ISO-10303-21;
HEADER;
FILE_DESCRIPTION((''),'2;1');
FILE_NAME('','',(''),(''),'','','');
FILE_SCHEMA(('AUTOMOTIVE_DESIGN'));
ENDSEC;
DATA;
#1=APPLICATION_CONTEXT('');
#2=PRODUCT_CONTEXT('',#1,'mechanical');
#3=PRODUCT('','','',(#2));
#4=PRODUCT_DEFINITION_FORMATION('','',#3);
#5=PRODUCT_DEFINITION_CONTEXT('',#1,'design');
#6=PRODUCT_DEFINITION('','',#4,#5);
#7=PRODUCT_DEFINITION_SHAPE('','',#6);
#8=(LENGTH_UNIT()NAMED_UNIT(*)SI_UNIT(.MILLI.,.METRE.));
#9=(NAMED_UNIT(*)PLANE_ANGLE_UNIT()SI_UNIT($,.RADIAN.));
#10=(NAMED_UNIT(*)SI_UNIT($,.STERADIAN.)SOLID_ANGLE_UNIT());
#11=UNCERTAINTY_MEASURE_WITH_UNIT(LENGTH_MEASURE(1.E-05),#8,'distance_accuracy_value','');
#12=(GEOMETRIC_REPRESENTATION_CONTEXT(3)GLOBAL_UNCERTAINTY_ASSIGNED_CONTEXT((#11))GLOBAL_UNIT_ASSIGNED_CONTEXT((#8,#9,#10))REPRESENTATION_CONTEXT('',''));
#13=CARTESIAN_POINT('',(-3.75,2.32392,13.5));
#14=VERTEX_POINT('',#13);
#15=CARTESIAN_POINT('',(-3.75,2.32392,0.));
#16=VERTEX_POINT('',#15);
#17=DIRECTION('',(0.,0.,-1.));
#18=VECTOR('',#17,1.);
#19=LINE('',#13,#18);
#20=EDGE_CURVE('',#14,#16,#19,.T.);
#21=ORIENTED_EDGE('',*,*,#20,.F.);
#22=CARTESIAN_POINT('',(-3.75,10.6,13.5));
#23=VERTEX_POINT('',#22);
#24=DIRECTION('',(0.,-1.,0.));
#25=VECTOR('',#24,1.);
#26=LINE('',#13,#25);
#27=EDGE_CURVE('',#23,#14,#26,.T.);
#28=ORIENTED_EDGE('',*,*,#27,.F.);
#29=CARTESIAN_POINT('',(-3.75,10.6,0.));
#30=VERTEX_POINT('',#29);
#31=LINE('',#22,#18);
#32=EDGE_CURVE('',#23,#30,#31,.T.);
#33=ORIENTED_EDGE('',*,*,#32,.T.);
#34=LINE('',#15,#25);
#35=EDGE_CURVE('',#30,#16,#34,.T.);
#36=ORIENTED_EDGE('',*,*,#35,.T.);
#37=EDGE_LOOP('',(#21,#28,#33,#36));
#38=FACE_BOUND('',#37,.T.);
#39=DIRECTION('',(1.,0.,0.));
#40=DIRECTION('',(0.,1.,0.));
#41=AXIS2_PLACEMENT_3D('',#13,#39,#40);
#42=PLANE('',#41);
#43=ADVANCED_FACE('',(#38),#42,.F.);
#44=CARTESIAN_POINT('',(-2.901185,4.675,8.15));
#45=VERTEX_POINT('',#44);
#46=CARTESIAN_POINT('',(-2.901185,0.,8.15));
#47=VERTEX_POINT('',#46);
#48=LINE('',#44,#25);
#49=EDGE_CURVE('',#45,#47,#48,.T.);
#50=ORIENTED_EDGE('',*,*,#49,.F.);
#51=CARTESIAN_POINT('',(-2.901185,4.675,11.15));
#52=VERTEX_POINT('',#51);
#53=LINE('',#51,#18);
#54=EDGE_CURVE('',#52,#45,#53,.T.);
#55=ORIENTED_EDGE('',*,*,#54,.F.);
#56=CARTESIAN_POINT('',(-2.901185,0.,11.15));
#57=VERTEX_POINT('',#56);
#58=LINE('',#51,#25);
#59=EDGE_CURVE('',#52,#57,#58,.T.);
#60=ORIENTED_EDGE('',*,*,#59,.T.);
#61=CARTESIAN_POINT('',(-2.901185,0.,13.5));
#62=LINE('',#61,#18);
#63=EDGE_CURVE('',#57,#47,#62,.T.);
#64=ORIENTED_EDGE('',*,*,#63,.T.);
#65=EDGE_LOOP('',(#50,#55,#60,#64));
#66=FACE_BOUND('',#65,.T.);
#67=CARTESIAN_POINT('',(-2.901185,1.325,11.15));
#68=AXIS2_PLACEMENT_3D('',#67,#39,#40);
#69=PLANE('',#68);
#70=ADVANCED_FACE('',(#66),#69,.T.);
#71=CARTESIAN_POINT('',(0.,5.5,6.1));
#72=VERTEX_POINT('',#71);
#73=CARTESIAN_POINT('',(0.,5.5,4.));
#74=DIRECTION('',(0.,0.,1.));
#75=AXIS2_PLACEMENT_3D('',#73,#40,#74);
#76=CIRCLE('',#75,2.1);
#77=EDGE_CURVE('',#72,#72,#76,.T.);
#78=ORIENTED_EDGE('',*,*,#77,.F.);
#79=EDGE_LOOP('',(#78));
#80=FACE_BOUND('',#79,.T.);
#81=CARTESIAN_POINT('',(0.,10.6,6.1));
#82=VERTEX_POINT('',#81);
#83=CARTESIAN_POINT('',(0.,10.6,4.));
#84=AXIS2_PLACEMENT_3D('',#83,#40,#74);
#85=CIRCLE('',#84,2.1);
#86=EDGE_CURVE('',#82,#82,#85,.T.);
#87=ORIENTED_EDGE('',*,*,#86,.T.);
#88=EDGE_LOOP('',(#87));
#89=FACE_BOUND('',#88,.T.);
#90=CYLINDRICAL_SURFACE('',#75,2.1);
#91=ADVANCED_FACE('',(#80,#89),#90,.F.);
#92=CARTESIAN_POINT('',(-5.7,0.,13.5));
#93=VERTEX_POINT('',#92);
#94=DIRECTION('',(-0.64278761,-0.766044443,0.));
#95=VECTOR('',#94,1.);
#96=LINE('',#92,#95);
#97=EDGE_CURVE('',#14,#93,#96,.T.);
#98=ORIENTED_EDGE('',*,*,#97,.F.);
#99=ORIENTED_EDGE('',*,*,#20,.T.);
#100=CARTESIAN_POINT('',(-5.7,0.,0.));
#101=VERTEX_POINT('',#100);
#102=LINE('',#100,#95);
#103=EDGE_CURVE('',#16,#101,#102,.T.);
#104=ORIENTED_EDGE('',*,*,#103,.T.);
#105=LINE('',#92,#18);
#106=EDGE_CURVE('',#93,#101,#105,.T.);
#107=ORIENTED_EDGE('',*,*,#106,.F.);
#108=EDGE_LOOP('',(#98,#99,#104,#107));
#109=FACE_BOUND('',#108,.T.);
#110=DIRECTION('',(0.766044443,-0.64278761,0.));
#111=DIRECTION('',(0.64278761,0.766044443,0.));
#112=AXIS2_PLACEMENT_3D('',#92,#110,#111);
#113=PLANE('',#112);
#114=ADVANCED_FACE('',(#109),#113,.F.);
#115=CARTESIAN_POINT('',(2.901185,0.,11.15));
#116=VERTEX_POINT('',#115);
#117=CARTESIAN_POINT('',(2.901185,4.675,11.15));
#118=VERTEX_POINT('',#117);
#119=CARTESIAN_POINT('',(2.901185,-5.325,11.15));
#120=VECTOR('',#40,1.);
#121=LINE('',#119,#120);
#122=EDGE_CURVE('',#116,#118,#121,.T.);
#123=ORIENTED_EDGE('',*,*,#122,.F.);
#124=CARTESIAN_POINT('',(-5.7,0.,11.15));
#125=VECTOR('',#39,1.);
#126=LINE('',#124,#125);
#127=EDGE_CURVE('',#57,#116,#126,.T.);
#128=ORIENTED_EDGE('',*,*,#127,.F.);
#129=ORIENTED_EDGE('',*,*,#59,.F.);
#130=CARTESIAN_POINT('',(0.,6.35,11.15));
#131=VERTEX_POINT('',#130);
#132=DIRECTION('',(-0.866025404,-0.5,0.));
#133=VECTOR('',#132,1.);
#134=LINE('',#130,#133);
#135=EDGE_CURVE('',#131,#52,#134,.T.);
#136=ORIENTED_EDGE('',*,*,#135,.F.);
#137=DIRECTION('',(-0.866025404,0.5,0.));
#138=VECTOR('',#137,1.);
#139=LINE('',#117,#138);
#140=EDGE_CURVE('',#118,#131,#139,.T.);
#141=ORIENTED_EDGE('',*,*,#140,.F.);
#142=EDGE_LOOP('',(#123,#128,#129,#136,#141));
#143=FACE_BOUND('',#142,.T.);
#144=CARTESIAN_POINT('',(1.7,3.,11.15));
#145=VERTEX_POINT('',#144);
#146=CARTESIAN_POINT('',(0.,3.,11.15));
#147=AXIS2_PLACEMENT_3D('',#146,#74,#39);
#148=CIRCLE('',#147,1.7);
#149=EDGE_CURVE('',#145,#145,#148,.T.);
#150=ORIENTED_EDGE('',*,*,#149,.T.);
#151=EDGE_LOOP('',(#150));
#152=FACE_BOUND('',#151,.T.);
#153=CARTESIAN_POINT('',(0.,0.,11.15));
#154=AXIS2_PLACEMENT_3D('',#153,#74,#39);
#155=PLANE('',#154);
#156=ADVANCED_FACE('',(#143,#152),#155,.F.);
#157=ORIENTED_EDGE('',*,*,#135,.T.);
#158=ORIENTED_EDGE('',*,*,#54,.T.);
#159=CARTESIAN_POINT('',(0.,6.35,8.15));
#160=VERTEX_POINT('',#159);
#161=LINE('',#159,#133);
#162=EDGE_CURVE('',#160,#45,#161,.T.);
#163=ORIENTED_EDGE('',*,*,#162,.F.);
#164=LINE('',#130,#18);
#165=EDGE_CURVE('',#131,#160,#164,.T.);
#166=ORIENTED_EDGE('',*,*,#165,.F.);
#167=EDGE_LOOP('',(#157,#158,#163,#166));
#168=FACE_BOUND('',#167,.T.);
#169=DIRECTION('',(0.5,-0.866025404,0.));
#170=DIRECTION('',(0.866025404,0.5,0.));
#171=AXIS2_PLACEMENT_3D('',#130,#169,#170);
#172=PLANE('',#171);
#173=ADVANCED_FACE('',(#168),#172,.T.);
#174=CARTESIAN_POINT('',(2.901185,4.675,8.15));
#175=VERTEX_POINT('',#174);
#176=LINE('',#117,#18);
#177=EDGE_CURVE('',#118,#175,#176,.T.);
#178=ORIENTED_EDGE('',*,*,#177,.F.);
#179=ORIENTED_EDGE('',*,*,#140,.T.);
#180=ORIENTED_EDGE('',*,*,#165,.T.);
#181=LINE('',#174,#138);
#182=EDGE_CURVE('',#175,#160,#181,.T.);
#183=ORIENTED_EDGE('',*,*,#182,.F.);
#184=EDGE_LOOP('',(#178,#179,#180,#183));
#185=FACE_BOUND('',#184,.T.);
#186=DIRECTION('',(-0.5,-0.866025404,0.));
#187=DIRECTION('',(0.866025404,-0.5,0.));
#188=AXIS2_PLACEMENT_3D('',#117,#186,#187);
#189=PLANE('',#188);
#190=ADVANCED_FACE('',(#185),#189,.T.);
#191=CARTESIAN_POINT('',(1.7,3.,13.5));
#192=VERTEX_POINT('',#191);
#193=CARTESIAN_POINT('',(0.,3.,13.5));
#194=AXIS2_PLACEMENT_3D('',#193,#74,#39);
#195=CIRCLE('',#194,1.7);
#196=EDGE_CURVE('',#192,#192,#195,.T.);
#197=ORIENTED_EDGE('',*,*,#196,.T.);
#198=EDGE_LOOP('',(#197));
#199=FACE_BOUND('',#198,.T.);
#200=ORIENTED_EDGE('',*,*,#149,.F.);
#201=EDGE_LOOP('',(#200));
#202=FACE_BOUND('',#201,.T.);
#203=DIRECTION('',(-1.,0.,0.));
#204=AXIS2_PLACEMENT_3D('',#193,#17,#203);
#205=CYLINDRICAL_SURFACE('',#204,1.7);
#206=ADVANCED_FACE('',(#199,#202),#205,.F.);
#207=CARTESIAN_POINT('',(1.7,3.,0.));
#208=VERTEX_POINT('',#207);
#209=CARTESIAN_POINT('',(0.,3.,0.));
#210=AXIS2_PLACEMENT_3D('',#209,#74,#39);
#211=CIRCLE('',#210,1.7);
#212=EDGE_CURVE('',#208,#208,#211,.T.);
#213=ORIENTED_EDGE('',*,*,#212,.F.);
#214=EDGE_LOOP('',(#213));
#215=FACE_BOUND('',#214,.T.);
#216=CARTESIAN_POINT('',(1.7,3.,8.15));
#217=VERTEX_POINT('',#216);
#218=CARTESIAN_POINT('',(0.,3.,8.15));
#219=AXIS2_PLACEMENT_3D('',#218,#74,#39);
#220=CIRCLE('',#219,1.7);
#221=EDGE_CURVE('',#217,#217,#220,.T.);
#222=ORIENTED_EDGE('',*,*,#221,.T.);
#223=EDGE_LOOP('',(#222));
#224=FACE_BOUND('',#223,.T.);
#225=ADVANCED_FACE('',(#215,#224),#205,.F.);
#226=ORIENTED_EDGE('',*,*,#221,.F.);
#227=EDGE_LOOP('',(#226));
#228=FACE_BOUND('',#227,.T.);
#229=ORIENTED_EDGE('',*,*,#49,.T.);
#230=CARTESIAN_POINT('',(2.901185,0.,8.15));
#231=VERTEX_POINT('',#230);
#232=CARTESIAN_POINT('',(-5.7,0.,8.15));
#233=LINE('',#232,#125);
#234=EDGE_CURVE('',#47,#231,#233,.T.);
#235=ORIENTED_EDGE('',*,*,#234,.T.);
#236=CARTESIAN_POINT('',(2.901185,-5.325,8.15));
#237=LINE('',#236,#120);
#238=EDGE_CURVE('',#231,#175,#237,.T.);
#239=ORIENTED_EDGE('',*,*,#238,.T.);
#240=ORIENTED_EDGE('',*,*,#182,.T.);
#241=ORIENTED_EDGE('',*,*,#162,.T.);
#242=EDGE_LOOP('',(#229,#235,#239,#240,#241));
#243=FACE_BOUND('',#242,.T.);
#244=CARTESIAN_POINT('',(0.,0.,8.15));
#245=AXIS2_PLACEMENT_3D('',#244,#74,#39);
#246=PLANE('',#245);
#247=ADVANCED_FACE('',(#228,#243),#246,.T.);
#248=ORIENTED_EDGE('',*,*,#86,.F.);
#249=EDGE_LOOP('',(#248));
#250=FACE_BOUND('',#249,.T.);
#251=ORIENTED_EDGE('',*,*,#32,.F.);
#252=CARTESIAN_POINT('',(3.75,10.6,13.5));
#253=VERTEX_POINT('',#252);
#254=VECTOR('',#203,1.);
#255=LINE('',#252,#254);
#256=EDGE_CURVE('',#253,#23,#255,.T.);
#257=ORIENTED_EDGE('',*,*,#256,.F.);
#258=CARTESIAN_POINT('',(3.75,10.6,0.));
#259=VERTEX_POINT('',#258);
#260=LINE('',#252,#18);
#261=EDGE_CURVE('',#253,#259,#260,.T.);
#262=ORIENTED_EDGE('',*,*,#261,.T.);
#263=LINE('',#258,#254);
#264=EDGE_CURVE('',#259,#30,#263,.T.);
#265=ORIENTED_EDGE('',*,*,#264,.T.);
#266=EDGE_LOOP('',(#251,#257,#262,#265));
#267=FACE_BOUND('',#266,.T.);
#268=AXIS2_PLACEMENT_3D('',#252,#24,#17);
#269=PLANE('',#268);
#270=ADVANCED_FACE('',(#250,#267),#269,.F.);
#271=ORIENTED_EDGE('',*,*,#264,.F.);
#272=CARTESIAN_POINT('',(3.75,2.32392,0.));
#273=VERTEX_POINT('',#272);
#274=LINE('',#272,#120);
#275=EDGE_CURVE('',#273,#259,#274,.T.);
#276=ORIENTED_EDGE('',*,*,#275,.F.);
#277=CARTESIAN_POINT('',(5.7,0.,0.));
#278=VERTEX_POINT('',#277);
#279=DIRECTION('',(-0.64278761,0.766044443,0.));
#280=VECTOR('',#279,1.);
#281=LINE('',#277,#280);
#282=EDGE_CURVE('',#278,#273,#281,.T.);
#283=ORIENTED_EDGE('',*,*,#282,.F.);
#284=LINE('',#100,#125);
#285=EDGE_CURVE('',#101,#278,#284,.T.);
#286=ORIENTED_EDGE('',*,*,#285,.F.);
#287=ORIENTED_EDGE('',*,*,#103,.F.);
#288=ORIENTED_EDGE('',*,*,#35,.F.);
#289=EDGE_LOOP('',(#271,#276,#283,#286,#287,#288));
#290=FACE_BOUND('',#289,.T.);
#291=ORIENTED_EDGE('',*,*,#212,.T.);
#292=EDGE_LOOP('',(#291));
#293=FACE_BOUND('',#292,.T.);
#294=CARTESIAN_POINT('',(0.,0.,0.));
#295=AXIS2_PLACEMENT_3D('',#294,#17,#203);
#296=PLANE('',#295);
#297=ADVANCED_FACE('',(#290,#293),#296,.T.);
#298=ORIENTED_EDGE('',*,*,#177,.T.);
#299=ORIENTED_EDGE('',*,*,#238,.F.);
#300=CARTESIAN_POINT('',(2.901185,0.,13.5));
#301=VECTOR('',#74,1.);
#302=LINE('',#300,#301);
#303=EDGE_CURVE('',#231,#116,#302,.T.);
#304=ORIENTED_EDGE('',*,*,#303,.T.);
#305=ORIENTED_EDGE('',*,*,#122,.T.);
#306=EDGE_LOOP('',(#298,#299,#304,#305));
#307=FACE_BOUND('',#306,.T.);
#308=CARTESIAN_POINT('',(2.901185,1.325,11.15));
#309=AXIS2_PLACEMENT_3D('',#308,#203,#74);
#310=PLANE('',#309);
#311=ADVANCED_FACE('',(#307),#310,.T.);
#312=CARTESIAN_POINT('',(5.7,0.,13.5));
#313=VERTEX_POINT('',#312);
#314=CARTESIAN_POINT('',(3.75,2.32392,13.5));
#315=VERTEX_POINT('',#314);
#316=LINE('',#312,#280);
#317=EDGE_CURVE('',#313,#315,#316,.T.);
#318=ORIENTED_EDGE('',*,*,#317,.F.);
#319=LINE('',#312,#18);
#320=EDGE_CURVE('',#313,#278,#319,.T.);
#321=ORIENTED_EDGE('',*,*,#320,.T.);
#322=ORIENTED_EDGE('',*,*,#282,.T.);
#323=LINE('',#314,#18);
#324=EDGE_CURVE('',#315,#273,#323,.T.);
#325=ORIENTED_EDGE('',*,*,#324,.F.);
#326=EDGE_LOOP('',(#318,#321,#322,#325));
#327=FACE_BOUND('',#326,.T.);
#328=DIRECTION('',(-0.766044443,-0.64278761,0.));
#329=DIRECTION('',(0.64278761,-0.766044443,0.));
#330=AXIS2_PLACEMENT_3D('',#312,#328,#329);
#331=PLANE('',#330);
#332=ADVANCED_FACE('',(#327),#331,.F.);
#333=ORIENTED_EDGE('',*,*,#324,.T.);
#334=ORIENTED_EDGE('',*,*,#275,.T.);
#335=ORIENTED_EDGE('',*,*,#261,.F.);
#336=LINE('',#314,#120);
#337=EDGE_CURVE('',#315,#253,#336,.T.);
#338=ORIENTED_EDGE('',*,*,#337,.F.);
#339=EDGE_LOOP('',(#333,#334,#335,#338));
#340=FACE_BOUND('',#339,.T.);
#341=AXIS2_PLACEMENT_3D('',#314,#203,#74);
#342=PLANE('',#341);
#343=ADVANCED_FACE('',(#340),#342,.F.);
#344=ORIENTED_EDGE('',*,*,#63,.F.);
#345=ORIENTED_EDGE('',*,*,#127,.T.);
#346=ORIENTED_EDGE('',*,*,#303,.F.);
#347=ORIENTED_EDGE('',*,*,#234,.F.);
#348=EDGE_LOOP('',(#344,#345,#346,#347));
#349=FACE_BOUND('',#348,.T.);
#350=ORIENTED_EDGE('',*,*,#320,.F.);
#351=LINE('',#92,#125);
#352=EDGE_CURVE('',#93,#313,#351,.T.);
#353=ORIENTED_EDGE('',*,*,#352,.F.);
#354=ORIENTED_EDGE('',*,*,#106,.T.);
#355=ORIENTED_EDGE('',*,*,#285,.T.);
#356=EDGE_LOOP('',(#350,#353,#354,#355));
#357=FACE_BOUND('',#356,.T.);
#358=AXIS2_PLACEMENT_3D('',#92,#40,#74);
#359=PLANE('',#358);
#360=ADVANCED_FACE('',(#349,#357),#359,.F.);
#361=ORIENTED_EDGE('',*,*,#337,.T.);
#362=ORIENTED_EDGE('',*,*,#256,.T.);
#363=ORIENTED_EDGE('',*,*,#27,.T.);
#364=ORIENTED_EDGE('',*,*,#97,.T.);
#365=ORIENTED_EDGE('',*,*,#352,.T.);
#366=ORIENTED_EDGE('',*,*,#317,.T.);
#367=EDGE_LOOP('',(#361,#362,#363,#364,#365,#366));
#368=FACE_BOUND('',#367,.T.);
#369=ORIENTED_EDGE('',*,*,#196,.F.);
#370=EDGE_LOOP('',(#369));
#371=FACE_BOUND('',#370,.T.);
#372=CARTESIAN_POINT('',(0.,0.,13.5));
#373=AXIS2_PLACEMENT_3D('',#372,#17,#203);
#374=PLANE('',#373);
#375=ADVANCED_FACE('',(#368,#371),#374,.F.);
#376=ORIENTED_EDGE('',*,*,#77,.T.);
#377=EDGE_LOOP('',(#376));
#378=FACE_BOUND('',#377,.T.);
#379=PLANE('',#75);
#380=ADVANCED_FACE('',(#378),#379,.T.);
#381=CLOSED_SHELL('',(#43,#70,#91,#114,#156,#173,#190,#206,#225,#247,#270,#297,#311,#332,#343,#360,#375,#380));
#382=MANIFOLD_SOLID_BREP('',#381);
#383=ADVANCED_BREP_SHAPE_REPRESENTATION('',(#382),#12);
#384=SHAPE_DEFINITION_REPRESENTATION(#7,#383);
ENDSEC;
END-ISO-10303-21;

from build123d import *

# Parameters (mm, degrees)
CROQUIS1_R                 = 1.7
SALIENTE_EXTRUIR1_DEPTH    = 13.5
CROQUIS2_R                 = 2.1
CORTAR_EXTRUIR1_DEPTH      = 5.1
CORTAR_EXTRUIR2_DEPTH      = 1.5
CORTAR_EXTRUIR2_DEPTH_BACK = 1.5


with BuildPart() as part:
    # Croquis1 → Saliente-Extruir1 (new body)
    with BuildSketch(Plane.XY):
        Polygon((-5.7, 0), (5.7, 0), (3.75, 2.323919506), (3.75, 10.6), (-3.75, 10.6), (-3.75, 2.323919506), align=None)
        with Locations((0, 3)):
            Circle(CROQUIS1_R, mode=Mode.SUBTRACT)
    extrude(amount=SALIENTE_EXTRUIR1_DEPTH)

    # Croquis2 → Cortar-Extruir1 (cut)
    with BuildSketch(Plane(origin=(0, 10.6, 0), x_dir=(1, 0, 0), z_dir=(0, 1, 0))):
        with Locations((0, -4)):
            Circle(CROQUIS2_R)
    extrude(amount=-CORTAR_EXTRUIR1_DEPTH, mode=Mode.SUBTRACT)

    # Croquis3 → Cortar-Extruir2 (cut, two sides)
    with BuildSketch(Plane.XY.offset(9.65)) as cortar_extruir2_sk:
        Polygon((-2.901185103, 1.325), (-2.901185103, -5.325), (2.901185103, -5.325), (2.901185103, 1.325), (2.901185103, 4.675), (0, 6.35), (-2.901185103, 4.675), align=None)
    extrude(amount=CORTAR_EXTRUIR2_DEPTH, mode=Mode.SUBTRACT)
    extrude(cortar_extruir2_sk.sketch, amount=-CORTAR_EXTRUIR2_DEPTH_BACK, mode=Mode.SUBTRACT)


solid = part.part
